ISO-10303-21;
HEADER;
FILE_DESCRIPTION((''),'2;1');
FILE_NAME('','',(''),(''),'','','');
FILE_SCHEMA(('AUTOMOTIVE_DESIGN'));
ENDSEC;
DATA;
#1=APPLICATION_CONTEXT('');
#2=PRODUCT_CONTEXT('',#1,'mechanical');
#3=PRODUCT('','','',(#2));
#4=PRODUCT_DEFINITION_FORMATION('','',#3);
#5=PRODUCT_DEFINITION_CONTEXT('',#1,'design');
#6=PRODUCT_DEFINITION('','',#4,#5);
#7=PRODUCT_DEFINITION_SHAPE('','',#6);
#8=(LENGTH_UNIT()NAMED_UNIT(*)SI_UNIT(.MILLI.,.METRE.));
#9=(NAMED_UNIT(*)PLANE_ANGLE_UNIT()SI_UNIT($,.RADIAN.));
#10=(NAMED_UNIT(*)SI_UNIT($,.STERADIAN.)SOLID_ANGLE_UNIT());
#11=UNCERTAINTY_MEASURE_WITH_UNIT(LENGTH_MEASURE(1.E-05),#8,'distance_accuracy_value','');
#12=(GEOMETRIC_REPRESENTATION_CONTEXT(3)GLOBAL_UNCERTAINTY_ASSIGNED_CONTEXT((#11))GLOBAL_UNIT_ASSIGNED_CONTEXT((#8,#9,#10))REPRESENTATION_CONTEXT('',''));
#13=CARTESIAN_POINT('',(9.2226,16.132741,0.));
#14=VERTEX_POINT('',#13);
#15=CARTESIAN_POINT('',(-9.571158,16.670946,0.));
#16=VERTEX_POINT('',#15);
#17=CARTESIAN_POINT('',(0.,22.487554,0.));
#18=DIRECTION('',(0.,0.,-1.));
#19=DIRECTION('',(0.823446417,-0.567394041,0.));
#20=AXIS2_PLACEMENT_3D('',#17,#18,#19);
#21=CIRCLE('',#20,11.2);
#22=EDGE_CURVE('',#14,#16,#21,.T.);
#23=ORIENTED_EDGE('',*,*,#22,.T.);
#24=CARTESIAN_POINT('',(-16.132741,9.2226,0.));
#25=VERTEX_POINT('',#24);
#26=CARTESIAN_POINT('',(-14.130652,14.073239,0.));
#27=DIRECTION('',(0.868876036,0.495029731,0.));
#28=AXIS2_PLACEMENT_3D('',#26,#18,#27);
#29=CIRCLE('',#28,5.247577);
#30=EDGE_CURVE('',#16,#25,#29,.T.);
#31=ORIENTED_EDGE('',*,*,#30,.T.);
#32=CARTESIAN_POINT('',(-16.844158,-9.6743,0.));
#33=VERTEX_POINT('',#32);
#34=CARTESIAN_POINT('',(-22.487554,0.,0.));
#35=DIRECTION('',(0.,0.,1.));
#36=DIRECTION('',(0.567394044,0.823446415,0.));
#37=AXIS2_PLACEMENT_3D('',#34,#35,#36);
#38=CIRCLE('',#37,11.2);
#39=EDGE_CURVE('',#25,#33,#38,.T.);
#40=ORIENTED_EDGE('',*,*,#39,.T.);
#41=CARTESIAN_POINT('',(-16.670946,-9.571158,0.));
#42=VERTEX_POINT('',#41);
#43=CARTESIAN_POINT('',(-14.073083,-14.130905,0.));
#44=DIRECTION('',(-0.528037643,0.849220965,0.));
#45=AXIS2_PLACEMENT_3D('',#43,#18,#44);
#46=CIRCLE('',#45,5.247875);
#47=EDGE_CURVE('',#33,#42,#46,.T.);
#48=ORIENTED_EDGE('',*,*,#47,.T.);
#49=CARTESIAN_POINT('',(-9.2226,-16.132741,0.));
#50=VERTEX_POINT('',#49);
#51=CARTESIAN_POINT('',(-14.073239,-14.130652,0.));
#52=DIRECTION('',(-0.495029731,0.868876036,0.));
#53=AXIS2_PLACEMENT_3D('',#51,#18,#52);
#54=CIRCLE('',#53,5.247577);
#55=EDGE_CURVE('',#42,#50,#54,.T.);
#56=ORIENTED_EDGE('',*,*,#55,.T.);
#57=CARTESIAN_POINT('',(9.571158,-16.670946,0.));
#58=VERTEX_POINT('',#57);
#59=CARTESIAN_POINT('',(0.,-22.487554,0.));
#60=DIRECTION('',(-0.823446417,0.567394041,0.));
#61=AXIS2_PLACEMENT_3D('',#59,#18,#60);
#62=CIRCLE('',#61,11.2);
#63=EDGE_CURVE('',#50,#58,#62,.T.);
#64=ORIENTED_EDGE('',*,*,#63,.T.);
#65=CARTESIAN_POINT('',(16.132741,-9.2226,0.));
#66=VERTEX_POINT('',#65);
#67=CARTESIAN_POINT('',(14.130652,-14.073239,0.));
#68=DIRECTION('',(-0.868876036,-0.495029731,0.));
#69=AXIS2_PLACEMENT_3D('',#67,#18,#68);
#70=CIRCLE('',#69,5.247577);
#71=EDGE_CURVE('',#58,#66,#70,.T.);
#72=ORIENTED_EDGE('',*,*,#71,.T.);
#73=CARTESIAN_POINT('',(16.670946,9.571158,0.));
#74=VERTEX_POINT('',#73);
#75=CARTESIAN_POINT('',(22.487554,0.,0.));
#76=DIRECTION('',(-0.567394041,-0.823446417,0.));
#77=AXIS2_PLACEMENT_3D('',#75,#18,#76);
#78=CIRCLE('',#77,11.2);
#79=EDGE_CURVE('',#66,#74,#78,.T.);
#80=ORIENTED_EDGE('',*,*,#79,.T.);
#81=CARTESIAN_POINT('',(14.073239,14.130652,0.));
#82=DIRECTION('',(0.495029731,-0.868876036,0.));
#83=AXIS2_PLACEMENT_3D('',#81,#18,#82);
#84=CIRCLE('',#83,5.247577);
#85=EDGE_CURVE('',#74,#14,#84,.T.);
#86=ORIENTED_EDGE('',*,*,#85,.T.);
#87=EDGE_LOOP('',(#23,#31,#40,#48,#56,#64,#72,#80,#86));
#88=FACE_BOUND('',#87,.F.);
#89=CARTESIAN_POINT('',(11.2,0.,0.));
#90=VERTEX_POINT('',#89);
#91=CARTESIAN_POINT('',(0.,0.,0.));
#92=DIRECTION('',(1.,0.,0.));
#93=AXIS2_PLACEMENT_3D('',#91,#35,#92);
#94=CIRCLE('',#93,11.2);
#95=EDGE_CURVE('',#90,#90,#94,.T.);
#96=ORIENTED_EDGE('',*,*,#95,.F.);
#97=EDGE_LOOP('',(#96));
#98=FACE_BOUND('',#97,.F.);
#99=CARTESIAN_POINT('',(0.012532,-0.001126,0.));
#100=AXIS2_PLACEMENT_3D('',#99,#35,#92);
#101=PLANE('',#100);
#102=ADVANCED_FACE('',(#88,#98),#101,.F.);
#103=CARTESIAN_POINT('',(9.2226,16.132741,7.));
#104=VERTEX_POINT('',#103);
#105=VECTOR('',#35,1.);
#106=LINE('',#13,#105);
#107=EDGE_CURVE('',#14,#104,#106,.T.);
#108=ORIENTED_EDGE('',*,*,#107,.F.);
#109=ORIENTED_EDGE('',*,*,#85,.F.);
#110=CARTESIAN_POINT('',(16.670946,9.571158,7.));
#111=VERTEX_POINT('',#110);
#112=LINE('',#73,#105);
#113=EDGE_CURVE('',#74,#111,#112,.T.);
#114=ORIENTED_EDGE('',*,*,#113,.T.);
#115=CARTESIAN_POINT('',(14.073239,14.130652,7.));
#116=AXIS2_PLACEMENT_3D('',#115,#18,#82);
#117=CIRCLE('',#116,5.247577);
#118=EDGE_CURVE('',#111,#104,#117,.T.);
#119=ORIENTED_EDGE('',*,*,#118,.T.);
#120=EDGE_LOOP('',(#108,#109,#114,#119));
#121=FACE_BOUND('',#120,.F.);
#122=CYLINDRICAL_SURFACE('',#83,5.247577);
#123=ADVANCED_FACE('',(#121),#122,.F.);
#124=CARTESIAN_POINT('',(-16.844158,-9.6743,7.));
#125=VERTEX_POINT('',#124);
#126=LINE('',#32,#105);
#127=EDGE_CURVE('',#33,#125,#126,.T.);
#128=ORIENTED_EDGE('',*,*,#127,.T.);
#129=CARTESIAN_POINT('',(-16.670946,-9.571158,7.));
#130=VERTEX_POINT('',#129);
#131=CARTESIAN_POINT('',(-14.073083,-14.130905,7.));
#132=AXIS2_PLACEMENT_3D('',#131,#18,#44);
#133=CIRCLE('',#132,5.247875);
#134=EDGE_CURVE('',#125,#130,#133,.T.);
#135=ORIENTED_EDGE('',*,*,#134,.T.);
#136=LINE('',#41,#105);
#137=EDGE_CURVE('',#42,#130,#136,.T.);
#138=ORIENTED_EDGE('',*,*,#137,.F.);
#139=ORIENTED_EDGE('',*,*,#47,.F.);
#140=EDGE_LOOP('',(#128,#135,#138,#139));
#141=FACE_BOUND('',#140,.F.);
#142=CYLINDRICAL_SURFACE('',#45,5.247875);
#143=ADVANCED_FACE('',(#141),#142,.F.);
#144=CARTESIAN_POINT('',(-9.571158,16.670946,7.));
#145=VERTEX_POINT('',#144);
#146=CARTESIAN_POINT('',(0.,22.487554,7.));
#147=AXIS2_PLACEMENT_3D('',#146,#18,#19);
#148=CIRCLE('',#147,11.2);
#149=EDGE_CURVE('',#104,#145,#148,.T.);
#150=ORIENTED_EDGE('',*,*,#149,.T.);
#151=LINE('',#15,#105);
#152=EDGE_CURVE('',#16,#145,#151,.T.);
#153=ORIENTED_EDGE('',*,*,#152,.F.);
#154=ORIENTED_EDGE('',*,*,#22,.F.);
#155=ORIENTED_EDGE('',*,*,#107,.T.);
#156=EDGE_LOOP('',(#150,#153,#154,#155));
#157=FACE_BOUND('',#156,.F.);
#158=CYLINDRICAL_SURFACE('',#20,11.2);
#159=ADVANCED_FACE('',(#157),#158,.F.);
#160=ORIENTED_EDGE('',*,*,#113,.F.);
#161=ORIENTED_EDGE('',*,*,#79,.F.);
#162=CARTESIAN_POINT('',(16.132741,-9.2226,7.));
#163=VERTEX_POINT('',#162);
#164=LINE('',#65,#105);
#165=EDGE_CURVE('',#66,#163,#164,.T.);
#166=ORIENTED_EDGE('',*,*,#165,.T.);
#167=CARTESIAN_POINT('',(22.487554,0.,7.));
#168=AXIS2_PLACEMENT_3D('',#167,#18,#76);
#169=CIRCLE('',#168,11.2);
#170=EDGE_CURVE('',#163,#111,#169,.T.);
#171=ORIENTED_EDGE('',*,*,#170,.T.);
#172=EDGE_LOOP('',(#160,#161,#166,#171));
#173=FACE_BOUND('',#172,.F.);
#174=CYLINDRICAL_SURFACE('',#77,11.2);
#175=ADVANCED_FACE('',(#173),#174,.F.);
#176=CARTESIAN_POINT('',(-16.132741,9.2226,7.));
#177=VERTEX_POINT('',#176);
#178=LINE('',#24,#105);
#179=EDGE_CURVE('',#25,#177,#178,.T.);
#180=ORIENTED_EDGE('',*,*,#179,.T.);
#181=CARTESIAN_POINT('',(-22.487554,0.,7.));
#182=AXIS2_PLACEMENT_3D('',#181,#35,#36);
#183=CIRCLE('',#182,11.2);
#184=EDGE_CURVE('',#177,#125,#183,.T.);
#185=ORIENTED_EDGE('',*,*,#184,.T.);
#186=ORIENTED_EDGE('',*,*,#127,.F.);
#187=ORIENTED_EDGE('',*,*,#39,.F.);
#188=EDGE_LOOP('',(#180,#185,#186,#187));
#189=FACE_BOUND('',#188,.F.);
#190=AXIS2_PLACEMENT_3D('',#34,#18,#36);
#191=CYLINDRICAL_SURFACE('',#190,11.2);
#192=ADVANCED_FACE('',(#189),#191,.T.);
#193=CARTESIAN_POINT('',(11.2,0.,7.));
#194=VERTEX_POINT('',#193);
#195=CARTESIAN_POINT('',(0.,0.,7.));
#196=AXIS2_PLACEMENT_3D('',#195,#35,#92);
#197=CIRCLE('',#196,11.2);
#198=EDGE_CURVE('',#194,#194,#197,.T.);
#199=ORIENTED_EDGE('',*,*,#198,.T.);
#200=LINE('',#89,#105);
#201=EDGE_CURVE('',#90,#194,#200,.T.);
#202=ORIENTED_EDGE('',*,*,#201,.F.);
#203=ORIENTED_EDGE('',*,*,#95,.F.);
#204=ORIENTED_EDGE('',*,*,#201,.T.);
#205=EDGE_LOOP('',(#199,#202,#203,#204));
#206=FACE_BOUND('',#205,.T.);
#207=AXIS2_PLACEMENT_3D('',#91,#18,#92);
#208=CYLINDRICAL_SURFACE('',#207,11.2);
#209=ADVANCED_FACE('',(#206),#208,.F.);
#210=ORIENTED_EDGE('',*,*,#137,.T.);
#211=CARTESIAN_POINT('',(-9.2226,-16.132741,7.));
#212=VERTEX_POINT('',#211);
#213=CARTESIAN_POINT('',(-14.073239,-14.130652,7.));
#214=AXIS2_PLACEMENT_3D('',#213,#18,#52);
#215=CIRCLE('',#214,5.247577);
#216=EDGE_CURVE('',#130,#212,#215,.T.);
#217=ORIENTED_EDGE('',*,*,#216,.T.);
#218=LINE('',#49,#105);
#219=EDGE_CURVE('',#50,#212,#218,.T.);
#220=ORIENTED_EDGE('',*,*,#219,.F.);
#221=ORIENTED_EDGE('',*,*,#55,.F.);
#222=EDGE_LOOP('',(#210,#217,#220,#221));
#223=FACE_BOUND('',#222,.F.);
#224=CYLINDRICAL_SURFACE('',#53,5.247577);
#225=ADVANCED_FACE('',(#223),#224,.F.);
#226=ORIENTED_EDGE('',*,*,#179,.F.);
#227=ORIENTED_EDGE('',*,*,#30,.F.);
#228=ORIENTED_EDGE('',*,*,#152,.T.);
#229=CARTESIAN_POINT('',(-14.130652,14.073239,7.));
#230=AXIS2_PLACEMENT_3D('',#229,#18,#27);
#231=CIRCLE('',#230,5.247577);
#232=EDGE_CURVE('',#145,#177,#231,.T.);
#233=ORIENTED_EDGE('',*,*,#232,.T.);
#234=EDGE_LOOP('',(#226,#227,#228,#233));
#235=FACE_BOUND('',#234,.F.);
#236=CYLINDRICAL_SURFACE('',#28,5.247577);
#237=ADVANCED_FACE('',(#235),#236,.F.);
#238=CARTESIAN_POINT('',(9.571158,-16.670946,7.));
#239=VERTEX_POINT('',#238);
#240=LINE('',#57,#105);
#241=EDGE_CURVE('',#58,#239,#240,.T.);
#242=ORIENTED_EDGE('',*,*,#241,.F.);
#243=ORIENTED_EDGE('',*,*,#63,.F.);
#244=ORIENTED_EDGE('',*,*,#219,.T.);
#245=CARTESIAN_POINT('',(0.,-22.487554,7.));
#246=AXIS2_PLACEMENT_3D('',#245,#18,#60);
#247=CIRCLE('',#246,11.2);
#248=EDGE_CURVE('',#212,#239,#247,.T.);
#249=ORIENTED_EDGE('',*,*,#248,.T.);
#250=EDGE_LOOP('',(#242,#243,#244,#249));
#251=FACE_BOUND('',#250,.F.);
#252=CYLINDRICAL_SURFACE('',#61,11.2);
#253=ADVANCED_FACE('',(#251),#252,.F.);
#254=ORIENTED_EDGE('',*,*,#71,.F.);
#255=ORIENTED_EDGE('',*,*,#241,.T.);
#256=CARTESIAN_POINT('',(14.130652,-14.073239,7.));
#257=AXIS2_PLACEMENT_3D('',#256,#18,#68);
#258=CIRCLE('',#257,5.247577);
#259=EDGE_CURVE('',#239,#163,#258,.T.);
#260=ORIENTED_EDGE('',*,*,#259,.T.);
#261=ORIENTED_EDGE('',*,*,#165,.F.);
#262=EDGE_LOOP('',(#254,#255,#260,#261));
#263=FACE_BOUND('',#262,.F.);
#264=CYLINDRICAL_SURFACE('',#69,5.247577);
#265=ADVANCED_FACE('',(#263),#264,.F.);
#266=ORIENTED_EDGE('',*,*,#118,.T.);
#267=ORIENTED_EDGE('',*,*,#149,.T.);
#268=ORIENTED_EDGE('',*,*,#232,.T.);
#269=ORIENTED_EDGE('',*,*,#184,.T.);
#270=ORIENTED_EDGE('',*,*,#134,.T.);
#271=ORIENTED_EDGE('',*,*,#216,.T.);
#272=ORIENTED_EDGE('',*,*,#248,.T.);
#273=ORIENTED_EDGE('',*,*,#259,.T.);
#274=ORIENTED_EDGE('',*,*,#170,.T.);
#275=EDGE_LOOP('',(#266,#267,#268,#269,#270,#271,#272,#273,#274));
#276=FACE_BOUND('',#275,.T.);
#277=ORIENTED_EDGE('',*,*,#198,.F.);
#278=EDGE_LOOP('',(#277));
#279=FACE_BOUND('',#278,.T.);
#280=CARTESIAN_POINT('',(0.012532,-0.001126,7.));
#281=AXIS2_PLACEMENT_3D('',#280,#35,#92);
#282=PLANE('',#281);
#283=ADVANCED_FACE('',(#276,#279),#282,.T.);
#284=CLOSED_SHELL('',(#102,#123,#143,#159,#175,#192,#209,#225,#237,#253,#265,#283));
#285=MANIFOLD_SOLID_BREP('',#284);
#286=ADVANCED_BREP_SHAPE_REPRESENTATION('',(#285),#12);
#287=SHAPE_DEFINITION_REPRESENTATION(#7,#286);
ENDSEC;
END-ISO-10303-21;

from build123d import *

# Parameters (mm, degrees)
F0_R     = 11.2
F1_DEPTH = 7


with BuildPart() as f1:
    # F0 (on Top) → F1 (new body)
    with BuildSketch(Plane.XY):
        with BuildLine():
            ThreePointArc((16.670946, 9.571158), (10.604447, 10.193071), (9.2226, 16.132741))
            ThreePointArc((9.2226, 16.132741), (-0.320607, 11.292144), (-9.571158, 16.670946))
            ThreePointArc((-9.571158, 16.670946), (-10.193071, 10.604447), (-16.132741, 9.2226))
            ThreePointArc((-16.132741, 9.2226), (-12.572568, 5.208939), (-11.287555, 0))
            ThreePointArc((-11.287555, 0), (-12.725741, -5.490627), (-16.670946, -9.571158))
            ThreePointArc((-16.670946, -9.571158), (-10.604447, -10.193071), (-9.2226, -16.132741))
            ThreePointArc((-9.2226, -16.132741), (0.320607, -11.292144), (9.571158, -16.670946))
            ThreePointArc((9.571158, -16.670946), (10.193071, -10.604447), (16.132741, -9.2226))
            ThreePointArc((16.132741, -9.2226), (11.292144, 0.320607), (16.670946, 9.571158))
        make_face()
        Circle(F0_R, mode=Mode.SUBTRACT)
        with BuildLine():
            ThreePointArc((-11.287555, 0), (-12.572568, 5.208939), (-16.132741, 9.2226))
            ThreePointArc((-16.132741, 9.2226), (-33.679626, 0.421351), (-16.844158, -9.6743))
            ThreePointArc((-16.844158, -9.6743), (-16.758047, -9.621897), (-16.670946, -9.571158))
            ThreePointArc((-16.670946, -9.571158), (-12.725741, -5.490627), (-11.287555, 0))
        make_face()
    extrude(amount=F1_DEPTH)


solid = f1.part
